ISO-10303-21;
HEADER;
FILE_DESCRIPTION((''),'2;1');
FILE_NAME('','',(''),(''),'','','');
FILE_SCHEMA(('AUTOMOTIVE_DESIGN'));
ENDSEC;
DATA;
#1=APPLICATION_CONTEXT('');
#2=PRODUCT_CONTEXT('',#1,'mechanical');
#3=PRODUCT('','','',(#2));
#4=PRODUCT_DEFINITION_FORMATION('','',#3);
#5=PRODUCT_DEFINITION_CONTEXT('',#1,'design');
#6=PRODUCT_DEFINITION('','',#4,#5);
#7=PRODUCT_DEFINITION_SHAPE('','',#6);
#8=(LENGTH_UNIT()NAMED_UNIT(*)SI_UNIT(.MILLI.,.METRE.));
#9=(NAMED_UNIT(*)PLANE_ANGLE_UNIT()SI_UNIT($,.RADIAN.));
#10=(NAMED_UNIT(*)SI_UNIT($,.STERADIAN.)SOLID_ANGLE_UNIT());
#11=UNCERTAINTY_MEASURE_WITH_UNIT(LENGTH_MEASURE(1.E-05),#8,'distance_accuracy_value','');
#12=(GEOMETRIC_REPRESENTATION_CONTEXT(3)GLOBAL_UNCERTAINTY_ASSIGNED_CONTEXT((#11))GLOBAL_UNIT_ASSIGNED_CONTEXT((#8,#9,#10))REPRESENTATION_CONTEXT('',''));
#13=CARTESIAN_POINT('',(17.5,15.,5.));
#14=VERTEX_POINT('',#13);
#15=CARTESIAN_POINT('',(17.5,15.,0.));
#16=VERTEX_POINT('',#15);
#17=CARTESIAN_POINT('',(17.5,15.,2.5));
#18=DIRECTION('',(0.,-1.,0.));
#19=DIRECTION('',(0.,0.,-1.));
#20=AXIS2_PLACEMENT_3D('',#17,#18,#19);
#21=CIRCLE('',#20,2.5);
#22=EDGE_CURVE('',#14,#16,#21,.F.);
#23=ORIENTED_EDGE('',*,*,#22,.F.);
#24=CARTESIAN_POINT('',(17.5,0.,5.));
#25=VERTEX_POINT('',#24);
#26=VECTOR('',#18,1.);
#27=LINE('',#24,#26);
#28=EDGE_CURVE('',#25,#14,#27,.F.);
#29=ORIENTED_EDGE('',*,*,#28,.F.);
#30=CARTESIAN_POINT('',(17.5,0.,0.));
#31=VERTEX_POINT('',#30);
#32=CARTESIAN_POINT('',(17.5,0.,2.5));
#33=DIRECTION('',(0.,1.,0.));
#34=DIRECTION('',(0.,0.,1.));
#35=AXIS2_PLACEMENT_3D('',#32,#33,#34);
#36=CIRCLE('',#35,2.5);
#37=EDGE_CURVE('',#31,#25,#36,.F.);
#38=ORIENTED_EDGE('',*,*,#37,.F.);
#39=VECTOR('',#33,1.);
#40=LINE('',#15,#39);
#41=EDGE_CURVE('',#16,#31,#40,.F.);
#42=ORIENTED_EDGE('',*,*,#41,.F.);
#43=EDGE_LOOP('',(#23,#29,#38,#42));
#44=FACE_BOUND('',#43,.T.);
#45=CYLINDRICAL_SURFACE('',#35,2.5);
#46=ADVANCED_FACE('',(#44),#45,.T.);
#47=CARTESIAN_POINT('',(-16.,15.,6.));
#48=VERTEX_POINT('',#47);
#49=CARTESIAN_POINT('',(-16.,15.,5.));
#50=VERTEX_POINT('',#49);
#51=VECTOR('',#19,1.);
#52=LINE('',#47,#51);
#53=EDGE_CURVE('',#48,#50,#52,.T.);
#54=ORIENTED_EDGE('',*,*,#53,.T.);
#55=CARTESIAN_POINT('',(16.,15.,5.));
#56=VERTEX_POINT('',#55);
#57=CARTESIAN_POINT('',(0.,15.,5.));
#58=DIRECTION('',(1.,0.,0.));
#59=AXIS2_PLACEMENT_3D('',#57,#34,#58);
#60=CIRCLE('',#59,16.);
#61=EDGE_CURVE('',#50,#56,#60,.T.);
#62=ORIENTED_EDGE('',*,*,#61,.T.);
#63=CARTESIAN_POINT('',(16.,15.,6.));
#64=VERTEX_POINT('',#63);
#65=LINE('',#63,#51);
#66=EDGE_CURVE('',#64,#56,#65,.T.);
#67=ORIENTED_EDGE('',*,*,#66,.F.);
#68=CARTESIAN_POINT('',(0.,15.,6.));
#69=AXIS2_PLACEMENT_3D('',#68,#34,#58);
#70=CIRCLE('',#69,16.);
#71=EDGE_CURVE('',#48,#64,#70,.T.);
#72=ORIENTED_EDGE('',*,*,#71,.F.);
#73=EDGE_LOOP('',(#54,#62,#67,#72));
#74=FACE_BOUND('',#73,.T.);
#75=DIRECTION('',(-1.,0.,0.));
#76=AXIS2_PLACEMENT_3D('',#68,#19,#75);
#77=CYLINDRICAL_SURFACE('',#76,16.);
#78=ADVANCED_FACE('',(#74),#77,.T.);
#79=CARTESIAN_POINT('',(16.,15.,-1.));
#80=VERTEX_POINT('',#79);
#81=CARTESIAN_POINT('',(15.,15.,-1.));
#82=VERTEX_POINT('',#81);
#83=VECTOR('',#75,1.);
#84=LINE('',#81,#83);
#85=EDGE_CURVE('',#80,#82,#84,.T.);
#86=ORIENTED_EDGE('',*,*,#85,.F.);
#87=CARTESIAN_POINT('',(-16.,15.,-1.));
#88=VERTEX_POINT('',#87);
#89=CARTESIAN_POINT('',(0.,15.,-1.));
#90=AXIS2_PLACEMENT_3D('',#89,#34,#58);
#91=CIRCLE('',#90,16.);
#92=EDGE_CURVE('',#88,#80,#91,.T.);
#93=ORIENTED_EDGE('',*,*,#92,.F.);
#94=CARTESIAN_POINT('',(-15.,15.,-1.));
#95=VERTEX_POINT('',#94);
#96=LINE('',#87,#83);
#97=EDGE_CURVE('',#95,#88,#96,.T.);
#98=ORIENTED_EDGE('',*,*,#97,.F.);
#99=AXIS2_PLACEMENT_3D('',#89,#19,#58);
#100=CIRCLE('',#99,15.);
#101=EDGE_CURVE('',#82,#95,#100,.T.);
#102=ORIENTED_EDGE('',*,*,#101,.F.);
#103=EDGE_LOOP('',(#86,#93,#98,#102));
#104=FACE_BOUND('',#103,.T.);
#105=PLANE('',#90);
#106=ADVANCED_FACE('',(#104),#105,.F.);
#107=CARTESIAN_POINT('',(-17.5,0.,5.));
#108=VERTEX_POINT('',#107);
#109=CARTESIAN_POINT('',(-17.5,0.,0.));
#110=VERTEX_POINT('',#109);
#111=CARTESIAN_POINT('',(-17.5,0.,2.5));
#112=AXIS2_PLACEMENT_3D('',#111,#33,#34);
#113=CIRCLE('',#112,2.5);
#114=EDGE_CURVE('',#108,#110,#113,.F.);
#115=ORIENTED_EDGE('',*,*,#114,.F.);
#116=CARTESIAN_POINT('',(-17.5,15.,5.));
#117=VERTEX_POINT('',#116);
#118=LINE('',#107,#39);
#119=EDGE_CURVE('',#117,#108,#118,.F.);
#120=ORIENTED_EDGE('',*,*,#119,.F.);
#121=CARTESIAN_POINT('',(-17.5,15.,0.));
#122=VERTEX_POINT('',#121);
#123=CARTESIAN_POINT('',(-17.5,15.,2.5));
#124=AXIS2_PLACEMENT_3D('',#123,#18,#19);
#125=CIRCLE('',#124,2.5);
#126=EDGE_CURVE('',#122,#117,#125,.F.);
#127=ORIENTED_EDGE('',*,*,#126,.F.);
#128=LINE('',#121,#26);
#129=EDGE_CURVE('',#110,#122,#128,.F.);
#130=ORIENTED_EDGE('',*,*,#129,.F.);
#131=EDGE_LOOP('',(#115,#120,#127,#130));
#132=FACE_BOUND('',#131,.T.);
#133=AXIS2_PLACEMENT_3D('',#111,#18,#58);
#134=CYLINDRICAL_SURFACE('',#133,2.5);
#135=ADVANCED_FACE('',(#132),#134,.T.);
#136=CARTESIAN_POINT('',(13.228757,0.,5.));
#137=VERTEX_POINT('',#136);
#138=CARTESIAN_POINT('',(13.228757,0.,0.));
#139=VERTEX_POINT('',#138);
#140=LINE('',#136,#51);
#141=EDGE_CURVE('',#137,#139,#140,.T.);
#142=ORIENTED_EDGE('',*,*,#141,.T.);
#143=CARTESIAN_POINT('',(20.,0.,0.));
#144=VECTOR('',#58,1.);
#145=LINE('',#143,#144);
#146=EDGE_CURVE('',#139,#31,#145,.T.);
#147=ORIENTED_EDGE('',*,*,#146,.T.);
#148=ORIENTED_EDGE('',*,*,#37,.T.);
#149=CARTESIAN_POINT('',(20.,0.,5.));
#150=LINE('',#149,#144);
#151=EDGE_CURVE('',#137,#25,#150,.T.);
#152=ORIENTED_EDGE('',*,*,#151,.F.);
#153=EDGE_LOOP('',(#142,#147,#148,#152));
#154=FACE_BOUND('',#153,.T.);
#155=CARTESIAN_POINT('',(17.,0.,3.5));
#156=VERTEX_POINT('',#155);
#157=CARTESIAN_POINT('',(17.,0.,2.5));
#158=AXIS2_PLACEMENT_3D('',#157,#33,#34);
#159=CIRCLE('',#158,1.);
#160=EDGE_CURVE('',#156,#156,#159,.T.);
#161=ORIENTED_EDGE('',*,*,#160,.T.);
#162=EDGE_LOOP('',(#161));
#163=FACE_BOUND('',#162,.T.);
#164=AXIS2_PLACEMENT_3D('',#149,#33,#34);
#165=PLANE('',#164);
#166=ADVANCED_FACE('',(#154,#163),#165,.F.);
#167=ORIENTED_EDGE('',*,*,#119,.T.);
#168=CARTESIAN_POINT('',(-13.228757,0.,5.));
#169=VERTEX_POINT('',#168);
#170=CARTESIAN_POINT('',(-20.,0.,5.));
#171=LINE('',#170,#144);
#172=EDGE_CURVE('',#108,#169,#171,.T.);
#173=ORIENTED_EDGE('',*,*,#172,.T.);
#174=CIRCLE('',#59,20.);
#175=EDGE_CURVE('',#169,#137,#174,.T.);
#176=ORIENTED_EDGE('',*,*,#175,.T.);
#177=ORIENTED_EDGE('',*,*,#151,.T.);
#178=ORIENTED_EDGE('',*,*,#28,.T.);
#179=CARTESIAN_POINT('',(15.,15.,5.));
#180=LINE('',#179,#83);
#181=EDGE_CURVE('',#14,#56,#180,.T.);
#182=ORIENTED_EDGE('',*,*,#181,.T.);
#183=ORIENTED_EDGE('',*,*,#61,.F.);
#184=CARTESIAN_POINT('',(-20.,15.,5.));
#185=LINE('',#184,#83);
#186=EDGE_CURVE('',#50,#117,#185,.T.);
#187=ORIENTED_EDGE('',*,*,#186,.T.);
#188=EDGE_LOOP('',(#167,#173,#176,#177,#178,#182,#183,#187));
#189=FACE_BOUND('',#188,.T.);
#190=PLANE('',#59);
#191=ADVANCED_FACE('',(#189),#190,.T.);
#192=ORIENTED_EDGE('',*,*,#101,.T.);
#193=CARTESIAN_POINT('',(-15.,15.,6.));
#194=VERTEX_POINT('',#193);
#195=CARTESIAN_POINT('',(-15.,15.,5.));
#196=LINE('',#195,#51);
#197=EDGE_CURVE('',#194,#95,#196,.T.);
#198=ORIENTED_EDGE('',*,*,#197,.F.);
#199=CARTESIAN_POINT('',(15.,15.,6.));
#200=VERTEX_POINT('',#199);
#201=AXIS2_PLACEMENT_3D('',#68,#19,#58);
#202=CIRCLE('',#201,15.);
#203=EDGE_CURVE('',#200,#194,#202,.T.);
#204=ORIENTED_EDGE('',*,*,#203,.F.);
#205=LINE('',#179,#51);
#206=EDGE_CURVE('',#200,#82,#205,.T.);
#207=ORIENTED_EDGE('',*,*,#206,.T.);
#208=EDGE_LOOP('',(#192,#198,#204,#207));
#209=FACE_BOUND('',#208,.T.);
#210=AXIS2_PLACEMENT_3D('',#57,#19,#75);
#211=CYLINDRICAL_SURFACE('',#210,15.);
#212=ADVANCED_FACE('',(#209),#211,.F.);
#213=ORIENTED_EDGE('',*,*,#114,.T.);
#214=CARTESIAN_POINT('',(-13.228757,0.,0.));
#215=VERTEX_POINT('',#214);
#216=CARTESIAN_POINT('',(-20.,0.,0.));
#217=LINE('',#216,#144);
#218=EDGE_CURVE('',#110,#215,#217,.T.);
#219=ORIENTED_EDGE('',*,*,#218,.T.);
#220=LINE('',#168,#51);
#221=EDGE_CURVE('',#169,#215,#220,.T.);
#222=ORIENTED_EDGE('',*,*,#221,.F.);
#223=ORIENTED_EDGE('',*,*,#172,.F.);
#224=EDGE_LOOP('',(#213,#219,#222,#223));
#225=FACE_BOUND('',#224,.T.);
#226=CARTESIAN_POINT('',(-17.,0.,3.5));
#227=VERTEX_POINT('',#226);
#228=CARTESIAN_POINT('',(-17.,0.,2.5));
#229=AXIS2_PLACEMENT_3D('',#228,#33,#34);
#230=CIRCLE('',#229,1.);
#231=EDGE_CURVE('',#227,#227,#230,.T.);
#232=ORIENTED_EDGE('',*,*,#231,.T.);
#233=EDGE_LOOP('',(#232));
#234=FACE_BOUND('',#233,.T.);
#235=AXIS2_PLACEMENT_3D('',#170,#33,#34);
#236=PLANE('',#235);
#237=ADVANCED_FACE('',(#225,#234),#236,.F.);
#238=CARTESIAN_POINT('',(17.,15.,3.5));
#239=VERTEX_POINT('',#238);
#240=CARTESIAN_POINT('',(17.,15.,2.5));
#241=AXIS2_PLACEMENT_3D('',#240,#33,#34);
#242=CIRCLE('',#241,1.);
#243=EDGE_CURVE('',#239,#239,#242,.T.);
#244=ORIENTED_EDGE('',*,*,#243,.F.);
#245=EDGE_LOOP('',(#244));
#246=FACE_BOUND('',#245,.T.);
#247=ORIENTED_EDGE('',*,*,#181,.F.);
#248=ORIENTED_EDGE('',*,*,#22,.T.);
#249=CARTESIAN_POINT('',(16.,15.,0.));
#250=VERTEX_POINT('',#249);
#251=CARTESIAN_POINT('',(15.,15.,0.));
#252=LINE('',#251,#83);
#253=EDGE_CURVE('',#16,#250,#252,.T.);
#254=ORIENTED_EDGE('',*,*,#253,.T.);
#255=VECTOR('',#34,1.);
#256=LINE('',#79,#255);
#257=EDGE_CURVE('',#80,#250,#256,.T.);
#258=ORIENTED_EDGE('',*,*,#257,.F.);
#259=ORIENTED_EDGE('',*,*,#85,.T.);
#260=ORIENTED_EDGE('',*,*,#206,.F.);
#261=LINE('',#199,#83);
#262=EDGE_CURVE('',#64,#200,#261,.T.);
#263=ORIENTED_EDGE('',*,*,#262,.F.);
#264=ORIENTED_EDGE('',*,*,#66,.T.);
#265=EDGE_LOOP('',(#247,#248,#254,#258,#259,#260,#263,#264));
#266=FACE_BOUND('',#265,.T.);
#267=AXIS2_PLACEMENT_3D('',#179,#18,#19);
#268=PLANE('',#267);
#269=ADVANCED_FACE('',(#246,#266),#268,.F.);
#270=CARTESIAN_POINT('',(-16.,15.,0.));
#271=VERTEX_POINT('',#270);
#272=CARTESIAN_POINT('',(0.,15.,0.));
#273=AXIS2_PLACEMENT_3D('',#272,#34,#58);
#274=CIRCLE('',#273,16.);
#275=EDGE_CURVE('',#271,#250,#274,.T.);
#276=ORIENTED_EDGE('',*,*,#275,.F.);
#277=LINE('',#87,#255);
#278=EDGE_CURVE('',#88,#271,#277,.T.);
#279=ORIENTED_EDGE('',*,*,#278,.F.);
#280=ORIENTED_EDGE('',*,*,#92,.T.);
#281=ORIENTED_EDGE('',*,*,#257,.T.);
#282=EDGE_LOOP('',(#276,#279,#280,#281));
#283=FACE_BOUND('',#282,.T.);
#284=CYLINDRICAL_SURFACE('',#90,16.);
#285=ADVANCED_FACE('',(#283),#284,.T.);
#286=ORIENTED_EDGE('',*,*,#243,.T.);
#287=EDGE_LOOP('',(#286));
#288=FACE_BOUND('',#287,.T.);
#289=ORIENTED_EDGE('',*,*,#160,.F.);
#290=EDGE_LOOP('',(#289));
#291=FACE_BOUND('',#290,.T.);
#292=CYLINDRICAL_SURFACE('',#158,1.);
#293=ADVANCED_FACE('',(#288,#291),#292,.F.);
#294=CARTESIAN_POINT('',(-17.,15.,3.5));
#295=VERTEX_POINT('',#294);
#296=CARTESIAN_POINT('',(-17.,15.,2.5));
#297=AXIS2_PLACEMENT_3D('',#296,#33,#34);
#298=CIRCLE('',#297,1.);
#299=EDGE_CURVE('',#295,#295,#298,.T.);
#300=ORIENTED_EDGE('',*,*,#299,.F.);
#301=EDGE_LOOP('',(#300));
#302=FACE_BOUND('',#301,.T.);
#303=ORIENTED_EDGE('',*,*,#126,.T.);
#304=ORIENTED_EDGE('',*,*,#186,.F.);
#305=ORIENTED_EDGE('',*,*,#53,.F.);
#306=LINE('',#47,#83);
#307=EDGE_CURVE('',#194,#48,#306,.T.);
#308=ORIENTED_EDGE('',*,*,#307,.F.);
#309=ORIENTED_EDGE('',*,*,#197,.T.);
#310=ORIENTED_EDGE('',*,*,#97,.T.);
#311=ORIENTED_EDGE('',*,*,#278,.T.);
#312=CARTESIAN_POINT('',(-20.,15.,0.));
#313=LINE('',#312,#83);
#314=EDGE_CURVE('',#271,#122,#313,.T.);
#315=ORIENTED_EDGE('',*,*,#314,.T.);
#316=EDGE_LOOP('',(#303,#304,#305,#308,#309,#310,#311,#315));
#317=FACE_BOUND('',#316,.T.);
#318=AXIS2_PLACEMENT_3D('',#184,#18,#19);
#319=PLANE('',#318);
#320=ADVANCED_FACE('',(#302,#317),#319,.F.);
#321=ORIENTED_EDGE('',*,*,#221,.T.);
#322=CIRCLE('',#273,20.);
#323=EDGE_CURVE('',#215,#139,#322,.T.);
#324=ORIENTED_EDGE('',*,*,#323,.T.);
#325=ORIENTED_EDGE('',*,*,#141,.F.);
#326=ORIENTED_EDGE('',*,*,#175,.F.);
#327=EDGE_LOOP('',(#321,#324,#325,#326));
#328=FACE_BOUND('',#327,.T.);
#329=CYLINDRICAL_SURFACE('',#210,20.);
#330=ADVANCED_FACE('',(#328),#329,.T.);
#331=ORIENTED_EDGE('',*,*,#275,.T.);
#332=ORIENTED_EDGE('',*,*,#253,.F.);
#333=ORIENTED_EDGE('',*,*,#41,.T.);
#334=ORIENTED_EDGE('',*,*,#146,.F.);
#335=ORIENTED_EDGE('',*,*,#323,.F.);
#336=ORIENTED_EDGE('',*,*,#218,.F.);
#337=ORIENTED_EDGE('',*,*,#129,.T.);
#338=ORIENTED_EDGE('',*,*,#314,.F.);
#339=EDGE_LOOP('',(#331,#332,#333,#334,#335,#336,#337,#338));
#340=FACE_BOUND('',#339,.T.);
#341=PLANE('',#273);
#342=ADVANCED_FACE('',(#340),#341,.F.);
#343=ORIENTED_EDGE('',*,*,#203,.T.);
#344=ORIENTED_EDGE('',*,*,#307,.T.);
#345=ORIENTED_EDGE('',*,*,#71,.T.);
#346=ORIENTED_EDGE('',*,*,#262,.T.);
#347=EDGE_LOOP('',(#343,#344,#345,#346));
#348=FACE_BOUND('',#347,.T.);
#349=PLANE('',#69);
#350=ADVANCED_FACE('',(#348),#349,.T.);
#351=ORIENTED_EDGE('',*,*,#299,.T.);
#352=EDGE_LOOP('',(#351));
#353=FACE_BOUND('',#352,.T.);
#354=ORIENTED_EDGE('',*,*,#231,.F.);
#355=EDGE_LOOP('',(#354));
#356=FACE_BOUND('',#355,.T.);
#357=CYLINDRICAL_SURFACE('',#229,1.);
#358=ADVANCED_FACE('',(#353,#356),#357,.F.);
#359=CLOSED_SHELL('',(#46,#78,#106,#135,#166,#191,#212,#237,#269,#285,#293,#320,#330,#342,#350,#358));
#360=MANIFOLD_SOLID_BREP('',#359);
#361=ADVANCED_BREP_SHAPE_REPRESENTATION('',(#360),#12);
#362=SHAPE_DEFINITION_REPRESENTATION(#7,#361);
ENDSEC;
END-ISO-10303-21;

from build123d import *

# Parameters (mm, degrees)
BOSS_EXTRUDE1_DEPTH = 5
BOSS_EXTRUDE2_DEPTH = 1
FILLET1_RADIUS      = 2.5
FILLET1_LENGTH      = 15
FILLET2_RADIUS      = 2.5
FILLET2_LENGTH      = 15
BOSS_EXTRUDE3_START = -6
BOSS_EXTRUDE3_DEPTH = 6
SKETCH5_R           = 1
CUT_EXTRUDE2_DEPTH  = 15


with BuildPart() as part:
    # Sketch2 → Boss-Extrude1 (new body)
    with BuildSketch(Plane.XY):
        with BuildLine():
            Line((-20, 15), (-20, 0))
            Line((-20, 0), (-13.228756555, 0))
            ThreePointArc((-13.228756555, 0), (0, -5), (13.228756555, 0))
            Line((13.228756555, 0), (20, 0))
            Line((20, 0), (20, 15))
            Line((20, 15), (15, 15))
            ThreePointArc((15, 15), (0, 0), (-15, 15))
            Line((-15, 15), (-20, 15))
        make_face()
    extrude(amount=BOSS_EXTRUDE1_DEPTH)

    # Sketch3 → Boss-Extrude2 (add)
    with BuildSketch(Plane.XY.offset(5)):
        with BuildLine():
            Line((-16, 15), (-15, 15))
            ThreePointArc((-15, 15), (0, 0), (15, 15))
            Line((15, 15), (16, 15))
            ThreePointArc((16, 15), (0, -1), (-16, 15))
        make_face()
    extrude(amount=BOSS_EXTRUDE2_DEPTH)

    # Fillet1: full round fillet: the end face becomes a half cylinder, R = half its width
    fillet1_face = Plane((20, 7.5, 2.5), x_dir=(0, -1, 0), z_dir=(1, 0, 0))  # on the end face: x along it, z out of the body
    fillet1_slab = fillet1_face.offset(-FILLET1_RADIUS / 2) * Box(FILLET1_LENGTH, 2 * FILLET1_RADIUS, FILLET1_RADIUS, mode=Mode.PRIVATE)  # the body's end, R deep
    fillet1_round = Plane((17.5, 7.5, 2.5), x_dir=(1, 0, 0), z_dir=(0, -1, 0)) * Cylinder(FILLET1_RADIUS, FILLET1_LENGTH, mode=Mode.PRIVATE)  # its axis R under the face
    add(fillet1_slab - fillet1_round, mode=Mode.SUBTRACT)

    # Fillet2: full round fillet: the end face becomes a half cylinder, R = half its width
    fillet2_face = Plane((-20, 7.5, 2.5), x_dir=(0, -1, 0), z_dir=(-1, 0, 0))  # on the end face: x along it, z out of the body
    fillet2_slab = fillet2_face.offset(-FILLET2_RADIUS / 2) * Box(FILLET2_LENGTH, 2 * FILLET2_RADIUS, FILLET2_RADIUS, mode=Mode.PRIVATE)  # the body's end, R deep
    fillet2_round = Plane((-17.5, 7.5, 2.5), x_dir=(-1, 0, 0), z_dir=(0, -1, 0)) * Cylinder(FILLET2_RADIUS, FILLET2_LENGTH, mode=Mode.PRIVATE)  # its axis R under the face
    add(fillet2_slab - fillet2_round, mode=Mode.SUBTRACT)

    # Sketch3<2> → Boss-Extrude3 (add)
    with BuildSketch(Plane.XY.offset(5).offset(BOSS_EXTRUDE3_START)):
        with BuildLine():
            Line((-16, 15), (-15, 15))
            ThreePointArc((-15, 15), (0, 0), (15, 15))
            Line((15, 15), (16, 15))
            ThreePointArc((16, 15), (0, -1), (-16, 15))
        make_face()
    extrude(amount=BOSS_EXTRUDE3_DEPTH)

    # Sketch5 → Cut-Extrude2 (cut)
    with BuildSketch(Plane(origin=(0, 15, 0), x_dir=(1, 0, 0), z_dir=(0, 1, 0))):
        with Locations(Location((-17, -2.5, 0), (0, 0, 270))):
            Circle(SKETCH5_R)
        with Locations(Location((17, -2.5, 0), (0, 0, 270))):
            Circle(SKETCH5_R)
    extrude(amount=-CUT_EXTRUDE2_DEPTH, mode=Mode.SUBTRACT)


solid = part.part
